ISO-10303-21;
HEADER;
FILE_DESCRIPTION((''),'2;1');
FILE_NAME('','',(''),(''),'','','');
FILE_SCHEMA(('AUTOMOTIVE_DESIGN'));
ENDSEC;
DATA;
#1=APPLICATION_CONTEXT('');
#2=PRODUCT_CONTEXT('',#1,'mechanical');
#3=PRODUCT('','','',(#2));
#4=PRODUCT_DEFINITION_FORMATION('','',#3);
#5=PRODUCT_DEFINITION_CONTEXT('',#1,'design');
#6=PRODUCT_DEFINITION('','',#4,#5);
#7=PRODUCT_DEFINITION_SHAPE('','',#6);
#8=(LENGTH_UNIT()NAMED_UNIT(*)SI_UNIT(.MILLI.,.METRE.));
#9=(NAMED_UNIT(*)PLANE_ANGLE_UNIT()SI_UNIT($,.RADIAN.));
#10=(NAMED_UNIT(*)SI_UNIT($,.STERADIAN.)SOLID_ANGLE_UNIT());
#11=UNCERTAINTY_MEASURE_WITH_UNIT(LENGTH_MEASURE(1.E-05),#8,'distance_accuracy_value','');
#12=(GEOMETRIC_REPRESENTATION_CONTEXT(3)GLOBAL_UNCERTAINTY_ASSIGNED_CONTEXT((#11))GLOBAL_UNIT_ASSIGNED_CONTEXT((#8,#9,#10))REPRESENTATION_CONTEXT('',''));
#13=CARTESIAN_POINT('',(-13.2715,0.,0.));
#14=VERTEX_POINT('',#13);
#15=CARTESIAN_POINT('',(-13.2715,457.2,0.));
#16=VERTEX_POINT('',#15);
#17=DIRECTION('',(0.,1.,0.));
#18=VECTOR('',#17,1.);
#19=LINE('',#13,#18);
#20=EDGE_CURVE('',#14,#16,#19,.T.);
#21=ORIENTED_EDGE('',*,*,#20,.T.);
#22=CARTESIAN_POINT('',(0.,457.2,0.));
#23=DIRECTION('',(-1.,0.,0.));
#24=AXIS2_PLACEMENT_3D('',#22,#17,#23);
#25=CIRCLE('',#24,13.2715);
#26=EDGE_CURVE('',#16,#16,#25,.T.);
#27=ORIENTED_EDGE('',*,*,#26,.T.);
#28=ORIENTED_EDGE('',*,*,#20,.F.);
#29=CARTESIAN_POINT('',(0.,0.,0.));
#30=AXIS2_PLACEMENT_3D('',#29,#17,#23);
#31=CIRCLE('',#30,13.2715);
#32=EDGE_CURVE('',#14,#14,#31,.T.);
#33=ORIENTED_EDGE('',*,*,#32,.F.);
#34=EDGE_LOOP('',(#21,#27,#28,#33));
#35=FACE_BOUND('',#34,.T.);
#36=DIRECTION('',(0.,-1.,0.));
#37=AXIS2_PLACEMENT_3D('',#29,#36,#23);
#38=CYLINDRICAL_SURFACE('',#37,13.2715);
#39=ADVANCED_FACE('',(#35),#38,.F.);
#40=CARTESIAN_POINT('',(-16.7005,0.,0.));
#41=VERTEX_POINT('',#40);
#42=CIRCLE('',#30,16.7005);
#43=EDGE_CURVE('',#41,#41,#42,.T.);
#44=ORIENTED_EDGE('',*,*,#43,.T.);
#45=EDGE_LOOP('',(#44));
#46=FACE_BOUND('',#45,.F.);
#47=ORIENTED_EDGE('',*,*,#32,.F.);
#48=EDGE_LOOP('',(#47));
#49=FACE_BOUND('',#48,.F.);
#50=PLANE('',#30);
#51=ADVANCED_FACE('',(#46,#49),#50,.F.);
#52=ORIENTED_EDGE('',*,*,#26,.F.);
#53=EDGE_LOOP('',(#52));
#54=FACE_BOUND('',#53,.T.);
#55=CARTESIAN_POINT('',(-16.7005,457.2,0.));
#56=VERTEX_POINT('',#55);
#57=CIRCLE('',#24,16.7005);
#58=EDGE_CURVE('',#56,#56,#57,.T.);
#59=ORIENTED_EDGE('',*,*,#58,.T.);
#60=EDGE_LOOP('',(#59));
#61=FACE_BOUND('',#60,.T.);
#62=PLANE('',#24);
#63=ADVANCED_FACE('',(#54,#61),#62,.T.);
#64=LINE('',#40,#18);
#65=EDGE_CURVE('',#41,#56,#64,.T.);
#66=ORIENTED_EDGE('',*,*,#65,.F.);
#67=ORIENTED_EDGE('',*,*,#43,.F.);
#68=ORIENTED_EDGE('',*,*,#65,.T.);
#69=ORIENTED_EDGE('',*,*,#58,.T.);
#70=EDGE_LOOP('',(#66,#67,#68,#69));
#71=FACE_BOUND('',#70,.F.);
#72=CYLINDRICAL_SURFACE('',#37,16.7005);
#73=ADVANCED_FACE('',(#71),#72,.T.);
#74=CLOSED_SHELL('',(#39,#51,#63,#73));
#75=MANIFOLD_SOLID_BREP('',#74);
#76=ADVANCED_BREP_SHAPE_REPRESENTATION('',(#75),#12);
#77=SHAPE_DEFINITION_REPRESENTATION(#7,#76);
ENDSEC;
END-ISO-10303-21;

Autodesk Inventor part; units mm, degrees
ref_plane "YZ Plane" through (0, 0, 0) normal (1, 0, 0) x (0, 1, 0)
ref_plane "XZ Plane" through (0, 0, 0) normal (0, 1, 0) x (-1, 0, 0)
ref_plane "XY Plane" through (0, 0, 0) normal (0, 0, 1) x (1, 0, 0)
sketch "Sketch1" plane through (0, 0, 0) normal (0, 1, 0) x (-1, 0, 0)
  circle A0 centre (0, 0) radius 13.2715
  circle A1 centre (0, 0) radius 16.7005
  dimension "d0" = 26.543
  dimension "d1" = 33.401
extrude "Extrusion1" add sketch "Sketch1" along normal blind 457.2
properties part number "pvc pipe 1in 3"
